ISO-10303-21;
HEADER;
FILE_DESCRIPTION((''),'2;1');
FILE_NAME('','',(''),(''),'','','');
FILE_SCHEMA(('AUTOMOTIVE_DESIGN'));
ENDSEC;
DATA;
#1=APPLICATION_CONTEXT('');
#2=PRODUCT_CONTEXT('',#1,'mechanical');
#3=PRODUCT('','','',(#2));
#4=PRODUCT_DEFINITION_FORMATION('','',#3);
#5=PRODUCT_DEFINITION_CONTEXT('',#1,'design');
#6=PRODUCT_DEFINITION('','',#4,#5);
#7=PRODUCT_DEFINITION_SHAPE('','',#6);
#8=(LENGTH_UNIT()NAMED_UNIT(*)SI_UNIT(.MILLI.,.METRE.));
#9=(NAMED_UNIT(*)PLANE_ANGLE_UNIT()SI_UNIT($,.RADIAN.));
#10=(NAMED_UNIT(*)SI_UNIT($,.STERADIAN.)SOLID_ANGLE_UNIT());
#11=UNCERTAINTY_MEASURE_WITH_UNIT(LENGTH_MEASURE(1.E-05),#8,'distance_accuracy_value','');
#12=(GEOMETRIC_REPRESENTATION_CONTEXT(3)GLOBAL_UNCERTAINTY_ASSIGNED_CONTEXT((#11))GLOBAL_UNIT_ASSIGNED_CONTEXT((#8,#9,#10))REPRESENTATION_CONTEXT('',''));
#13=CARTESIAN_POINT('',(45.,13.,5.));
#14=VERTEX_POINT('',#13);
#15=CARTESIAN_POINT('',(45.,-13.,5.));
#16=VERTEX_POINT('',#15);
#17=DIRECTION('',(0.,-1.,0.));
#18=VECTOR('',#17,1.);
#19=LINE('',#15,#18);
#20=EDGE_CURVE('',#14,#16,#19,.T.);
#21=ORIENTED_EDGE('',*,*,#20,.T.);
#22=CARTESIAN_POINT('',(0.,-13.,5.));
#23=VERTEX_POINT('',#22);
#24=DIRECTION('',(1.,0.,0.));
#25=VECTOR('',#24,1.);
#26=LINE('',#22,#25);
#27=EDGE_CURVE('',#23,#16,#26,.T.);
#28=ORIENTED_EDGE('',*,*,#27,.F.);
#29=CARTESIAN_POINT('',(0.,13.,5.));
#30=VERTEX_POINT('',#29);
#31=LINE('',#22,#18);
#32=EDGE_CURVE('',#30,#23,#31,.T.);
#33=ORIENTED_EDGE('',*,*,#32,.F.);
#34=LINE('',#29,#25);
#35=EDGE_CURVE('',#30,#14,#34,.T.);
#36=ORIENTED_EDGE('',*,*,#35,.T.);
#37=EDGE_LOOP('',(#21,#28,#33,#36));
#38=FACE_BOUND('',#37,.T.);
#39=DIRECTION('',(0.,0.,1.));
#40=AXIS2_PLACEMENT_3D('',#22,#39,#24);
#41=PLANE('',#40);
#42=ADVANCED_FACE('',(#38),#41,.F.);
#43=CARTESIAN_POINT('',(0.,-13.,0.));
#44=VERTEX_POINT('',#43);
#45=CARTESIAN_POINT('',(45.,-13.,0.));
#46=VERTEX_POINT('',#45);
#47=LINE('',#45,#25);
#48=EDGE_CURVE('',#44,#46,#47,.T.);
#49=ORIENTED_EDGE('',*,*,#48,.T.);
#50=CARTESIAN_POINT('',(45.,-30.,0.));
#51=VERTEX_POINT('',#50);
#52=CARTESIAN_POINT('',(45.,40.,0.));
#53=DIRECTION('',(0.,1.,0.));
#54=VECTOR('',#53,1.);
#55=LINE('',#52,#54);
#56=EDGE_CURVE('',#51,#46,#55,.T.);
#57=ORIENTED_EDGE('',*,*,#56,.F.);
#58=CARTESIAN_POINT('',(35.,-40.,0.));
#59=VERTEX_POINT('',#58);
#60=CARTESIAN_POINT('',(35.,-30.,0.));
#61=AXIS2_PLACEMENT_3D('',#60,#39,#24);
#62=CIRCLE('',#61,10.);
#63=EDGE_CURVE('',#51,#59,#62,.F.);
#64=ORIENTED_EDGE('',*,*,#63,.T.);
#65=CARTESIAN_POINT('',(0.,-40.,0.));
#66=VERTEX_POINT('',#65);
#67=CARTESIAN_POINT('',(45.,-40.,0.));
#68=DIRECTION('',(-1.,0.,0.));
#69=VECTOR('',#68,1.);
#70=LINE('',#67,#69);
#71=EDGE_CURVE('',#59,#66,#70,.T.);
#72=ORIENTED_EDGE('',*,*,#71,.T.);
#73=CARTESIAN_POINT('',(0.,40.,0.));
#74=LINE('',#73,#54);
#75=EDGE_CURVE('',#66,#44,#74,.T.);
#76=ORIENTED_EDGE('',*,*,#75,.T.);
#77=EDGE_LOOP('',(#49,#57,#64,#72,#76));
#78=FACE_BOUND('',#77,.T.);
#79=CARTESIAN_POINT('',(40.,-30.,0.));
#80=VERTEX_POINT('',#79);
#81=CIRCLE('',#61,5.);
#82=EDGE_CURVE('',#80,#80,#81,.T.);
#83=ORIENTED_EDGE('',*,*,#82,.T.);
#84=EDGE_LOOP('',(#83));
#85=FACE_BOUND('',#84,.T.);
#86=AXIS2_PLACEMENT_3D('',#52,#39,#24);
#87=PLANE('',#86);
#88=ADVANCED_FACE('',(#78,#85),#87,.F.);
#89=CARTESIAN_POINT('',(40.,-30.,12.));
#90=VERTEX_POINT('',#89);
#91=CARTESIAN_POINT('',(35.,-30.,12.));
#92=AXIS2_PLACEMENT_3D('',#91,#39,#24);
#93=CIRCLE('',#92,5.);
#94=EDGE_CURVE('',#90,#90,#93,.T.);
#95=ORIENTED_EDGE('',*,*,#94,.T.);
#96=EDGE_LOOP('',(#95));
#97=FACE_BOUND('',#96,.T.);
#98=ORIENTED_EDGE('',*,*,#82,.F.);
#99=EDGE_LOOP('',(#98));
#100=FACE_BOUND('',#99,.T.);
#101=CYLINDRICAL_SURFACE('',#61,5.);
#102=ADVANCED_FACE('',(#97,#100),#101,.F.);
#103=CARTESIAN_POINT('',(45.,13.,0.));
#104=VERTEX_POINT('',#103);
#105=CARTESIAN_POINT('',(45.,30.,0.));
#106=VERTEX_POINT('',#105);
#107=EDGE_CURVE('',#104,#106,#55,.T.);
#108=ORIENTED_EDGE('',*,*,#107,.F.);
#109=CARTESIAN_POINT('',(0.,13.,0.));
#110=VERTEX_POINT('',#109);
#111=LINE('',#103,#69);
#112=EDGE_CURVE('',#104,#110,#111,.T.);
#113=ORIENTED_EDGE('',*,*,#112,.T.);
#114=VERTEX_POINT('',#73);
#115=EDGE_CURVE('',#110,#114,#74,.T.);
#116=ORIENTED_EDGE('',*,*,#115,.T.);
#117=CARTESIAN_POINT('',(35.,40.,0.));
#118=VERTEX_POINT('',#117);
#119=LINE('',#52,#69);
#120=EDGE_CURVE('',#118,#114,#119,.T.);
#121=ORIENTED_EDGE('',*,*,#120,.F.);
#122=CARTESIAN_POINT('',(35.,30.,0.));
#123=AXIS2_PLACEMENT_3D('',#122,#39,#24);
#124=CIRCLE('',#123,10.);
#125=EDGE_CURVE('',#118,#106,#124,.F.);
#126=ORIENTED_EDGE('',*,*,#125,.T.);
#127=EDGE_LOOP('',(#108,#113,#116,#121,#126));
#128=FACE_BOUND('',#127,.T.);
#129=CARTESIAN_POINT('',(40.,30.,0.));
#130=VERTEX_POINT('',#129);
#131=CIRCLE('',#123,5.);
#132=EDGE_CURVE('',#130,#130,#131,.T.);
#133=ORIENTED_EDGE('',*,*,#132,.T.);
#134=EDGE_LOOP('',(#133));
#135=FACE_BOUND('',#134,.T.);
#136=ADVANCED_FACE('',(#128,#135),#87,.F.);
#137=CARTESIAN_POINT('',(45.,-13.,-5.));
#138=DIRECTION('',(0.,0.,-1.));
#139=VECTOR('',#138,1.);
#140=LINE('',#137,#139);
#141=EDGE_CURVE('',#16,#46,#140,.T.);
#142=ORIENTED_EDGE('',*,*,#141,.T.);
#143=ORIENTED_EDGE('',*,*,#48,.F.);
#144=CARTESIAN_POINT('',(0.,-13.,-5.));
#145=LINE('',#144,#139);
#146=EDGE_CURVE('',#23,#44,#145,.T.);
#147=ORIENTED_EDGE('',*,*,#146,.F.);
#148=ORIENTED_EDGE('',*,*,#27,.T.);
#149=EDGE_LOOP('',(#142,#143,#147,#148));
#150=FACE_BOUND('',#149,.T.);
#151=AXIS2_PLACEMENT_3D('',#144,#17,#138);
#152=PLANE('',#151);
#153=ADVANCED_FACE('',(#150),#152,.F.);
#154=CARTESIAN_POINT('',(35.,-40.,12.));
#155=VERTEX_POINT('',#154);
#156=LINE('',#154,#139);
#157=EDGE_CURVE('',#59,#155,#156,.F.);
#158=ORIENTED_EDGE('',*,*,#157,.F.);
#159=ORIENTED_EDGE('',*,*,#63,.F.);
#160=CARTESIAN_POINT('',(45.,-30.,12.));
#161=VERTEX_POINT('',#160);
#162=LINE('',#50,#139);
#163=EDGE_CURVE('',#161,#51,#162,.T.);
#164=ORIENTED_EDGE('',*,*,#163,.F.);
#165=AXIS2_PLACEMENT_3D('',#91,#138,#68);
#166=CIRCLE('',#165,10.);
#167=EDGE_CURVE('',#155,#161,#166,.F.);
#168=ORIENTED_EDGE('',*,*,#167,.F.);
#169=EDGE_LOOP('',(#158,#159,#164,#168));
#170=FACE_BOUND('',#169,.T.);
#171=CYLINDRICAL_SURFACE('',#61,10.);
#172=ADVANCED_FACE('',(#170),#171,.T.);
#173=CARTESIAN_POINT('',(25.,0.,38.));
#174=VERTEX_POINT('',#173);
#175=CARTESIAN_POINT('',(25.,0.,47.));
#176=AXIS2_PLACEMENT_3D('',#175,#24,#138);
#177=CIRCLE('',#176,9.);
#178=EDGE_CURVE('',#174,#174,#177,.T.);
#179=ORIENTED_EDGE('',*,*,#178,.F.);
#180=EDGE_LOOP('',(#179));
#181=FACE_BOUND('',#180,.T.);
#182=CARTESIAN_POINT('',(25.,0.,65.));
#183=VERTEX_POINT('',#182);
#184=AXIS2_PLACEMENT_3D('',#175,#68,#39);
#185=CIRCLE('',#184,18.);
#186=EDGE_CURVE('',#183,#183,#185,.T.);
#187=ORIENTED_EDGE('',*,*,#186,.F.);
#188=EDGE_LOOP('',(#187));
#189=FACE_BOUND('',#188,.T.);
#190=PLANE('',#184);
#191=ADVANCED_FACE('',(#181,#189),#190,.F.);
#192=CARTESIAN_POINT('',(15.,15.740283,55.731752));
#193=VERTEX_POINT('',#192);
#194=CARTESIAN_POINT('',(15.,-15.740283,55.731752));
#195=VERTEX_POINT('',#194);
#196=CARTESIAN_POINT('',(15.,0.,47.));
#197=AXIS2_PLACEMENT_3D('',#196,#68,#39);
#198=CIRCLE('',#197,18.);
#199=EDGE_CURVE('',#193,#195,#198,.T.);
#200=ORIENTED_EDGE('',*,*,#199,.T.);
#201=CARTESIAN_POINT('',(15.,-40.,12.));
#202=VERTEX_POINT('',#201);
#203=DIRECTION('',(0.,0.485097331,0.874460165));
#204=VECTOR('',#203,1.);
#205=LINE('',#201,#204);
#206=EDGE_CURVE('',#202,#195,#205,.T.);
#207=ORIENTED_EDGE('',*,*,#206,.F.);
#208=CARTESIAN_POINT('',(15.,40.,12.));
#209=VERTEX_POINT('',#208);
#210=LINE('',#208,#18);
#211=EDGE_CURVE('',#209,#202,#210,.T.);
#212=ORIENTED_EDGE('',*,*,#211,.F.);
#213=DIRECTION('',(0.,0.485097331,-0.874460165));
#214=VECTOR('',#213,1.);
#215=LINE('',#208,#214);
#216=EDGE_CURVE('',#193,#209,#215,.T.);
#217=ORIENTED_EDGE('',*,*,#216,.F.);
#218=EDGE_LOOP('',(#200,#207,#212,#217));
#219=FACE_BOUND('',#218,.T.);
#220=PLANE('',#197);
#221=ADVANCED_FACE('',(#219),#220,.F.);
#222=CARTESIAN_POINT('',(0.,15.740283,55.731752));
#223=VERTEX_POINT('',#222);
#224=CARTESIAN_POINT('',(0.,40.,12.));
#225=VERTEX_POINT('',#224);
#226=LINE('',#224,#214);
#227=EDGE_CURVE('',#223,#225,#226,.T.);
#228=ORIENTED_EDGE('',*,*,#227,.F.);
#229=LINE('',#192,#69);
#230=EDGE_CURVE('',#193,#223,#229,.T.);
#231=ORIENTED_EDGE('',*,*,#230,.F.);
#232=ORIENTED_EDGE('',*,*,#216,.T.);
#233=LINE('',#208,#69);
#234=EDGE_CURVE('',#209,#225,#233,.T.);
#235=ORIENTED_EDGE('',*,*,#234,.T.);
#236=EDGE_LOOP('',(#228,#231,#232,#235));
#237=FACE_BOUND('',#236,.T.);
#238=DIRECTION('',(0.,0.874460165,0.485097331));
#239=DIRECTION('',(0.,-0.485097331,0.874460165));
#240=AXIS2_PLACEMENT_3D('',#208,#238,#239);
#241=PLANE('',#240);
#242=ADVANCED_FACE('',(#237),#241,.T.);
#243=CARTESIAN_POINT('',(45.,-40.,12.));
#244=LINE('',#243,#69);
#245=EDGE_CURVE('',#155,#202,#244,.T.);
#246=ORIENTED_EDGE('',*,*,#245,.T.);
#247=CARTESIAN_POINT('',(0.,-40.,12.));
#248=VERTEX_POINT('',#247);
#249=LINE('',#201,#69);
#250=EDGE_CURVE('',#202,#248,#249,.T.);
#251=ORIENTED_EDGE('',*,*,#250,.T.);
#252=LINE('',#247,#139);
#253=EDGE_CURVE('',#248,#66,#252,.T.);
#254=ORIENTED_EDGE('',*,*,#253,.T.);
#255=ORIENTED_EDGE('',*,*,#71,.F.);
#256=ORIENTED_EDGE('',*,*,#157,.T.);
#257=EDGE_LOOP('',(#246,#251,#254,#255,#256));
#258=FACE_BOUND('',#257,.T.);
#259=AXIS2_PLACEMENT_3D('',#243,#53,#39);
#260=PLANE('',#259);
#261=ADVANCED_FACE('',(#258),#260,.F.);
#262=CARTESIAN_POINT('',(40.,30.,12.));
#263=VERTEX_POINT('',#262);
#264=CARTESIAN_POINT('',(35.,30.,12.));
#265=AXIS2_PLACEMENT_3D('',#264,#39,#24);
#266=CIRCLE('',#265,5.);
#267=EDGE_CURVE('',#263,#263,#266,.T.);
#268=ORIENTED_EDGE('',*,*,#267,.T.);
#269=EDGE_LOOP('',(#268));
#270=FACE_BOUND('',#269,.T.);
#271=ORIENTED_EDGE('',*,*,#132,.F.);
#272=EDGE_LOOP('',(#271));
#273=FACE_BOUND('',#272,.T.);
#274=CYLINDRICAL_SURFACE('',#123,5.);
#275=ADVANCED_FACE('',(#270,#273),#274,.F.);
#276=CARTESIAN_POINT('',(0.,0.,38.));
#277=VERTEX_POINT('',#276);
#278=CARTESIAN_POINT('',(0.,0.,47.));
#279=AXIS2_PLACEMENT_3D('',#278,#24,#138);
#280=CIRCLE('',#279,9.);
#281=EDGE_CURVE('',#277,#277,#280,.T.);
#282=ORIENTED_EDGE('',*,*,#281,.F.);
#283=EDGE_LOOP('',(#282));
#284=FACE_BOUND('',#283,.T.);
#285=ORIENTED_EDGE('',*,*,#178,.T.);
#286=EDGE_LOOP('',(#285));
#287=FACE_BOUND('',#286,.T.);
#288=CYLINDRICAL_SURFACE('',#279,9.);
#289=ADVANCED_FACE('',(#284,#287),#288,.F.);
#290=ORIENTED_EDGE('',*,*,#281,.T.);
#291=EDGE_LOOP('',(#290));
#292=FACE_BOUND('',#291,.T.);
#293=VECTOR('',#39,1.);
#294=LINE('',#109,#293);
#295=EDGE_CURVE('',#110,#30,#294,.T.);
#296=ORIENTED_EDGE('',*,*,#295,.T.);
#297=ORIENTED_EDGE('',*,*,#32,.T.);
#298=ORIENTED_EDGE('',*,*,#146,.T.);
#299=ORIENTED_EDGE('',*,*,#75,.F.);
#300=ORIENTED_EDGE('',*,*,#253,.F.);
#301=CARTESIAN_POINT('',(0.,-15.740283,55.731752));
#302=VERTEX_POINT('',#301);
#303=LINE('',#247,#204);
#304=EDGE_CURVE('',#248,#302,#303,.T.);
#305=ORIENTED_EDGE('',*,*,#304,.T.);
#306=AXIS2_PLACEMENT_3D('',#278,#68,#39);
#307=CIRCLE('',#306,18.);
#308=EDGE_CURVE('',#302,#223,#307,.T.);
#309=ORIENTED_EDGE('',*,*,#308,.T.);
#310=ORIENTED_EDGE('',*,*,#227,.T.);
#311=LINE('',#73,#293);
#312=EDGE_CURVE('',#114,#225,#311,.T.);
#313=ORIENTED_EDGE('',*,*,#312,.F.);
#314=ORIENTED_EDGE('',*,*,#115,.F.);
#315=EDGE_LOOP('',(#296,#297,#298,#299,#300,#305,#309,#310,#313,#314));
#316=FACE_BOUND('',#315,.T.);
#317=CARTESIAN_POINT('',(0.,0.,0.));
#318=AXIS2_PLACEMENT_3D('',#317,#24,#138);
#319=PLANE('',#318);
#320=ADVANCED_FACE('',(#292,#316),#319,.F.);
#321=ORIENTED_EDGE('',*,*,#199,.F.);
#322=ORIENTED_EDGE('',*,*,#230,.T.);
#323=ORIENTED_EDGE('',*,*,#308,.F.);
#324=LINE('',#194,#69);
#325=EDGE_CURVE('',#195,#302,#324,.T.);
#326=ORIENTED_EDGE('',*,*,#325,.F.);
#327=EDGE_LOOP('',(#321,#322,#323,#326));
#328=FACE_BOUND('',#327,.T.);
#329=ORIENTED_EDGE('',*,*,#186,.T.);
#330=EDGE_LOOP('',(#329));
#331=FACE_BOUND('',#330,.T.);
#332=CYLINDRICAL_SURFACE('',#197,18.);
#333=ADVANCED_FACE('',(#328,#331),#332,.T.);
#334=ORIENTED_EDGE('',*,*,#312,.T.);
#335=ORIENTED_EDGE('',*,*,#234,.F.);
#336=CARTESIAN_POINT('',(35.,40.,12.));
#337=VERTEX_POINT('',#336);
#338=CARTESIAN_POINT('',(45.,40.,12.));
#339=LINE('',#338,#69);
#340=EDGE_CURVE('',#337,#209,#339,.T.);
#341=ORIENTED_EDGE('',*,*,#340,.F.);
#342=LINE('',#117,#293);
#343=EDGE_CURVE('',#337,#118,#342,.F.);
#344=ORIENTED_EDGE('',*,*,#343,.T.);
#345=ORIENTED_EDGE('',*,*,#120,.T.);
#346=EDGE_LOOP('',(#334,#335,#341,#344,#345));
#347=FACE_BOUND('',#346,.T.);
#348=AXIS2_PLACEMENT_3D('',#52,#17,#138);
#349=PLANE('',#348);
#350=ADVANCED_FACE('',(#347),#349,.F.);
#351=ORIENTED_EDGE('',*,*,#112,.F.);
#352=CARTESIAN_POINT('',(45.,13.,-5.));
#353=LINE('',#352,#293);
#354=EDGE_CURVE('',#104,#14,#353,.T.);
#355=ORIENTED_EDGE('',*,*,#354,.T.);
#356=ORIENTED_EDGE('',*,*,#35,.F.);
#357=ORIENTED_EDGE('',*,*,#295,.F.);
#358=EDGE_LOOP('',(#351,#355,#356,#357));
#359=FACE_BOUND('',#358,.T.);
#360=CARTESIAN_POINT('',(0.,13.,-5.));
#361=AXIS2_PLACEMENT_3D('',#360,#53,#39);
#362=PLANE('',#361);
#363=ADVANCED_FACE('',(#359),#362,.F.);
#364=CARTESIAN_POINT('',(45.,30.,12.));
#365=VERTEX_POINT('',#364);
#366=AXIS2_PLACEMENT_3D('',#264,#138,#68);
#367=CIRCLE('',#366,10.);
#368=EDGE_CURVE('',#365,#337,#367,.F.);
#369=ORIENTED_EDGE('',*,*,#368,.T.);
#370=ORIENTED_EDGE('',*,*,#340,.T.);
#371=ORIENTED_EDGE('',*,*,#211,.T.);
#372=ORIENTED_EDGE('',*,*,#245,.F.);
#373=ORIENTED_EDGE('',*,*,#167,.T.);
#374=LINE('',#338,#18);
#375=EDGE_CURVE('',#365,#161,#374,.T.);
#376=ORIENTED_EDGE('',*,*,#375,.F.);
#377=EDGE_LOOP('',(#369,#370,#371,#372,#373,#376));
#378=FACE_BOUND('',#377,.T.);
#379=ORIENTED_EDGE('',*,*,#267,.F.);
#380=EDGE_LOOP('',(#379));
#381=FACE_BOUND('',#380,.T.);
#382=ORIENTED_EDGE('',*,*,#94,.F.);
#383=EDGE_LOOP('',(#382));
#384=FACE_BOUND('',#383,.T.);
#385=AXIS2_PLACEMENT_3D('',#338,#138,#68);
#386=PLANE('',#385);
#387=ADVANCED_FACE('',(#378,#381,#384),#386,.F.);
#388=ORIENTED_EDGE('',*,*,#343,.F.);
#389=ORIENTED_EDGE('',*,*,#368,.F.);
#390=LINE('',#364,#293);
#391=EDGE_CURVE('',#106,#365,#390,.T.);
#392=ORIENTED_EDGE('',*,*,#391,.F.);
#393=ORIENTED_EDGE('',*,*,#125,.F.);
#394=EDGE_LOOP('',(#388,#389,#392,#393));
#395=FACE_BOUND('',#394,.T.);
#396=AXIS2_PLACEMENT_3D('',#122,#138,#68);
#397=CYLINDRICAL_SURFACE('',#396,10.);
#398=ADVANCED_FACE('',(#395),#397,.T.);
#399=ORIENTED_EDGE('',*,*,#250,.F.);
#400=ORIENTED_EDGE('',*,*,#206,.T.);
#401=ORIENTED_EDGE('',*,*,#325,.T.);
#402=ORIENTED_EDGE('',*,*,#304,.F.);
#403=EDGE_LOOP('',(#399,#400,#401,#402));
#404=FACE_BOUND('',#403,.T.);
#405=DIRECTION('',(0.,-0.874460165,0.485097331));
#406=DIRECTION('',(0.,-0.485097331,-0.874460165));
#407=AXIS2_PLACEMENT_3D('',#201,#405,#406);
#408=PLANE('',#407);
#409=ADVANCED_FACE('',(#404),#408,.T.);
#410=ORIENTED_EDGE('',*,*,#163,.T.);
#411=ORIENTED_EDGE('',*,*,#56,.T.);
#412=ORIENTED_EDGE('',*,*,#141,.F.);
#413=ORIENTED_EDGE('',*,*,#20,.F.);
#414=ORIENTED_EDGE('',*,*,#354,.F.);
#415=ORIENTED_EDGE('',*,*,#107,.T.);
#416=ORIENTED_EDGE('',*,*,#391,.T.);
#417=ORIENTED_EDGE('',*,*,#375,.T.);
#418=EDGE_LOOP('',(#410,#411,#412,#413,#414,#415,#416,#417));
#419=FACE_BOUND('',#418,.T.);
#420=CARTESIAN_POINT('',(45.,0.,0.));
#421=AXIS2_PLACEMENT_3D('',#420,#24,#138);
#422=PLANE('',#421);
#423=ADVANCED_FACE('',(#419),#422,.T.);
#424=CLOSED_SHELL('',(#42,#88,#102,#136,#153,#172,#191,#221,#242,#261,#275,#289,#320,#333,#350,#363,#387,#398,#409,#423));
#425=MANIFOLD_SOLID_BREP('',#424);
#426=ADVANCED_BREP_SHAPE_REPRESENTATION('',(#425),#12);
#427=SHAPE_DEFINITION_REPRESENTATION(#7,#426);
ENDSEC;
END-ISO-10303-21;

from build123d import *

# Parameters (mm, degrees)
SKETCH_2_W          = 12
SKETCH_2_H          = 80
EXTRUDE_1_DEPTH     = 45
FILLET_1_R          = 10
SKETCH_3_R          = 5
CUT_EXTRUDE_1_DEPTH = 62.392181913
SKETCH_5_W          = 10
SKETCH_5_H          = 26
CUT_EXTRUDE_2_DEPTH = 62.392181913
SKETCH_6_R          = 18
EXTRUDE_2_DEPTH     = 25
EXTRUDE_3_DEPTH     = 15
SKETCH_8_R          = 9
CUT_EXTRUDE_3_DEPTH = 81.311892021


with BuildPart() as part:
    # 草图2 → 凸台-拉伸1 (new body)
    with BuildSketch(Plane(origin=(0, 0, 0), x_dir=(0, 0, -1), z_dir=(1, 0, 0))):
        with Locations((-6, 0)):
            Rectangle(SKETCH_2_W, SKETCH_2_H)
    extrude(amount=EXTRUDE_1_DEPTH)

    # 圆角1
    fillet_1_edges = [part.edges().sort_by_distance(p)[0] for p in [
        (45, -40, 6),
        (45, 40, 6),
    ]]
    fillet(fillet_1_edges, radius=FILLET_1_R)

    # 草图3 → 切除-拉伸1 (cut, through all)
    with BuildSketch(Plane.XY.offset(12)):
        with Locations((35, 30)):
            Circle(SKETCH_3_R)
        with Locations((35, -30)):
            Circle(SKETCH_3_R)
    extrude(amount=-CUT_EXTRUDE_1_DEPTH, mode=Mode.SUBTRACT)

    # 草图5 → 切除-拉伸2 (cut, through all)
    with BuildSketch(Plane(origin=(45, 0, 0), x_dir=(0, 0, -1), z_dir=(1, 0, 0))):
        Rectangle(SKETCH_5_W, SKETCH_5_H)
    extrude(amount=-CUT_EXTRUDE_2_DEPTH, mode=Mode.SUBTRACT)



with BuildPart() as body_2:
    # 草图6 → 凸台-拉伸2 (new body)
    with BuildSketch(Plane.ZY):
        with Locations((47, 0)):
            Circle(SKETCH_6_R)
    extrude(amount=-EXTRUDE_2_DEPTH)


with BuildPart() as part_1:
    add(part.part)

    add(body_2.part)  # 凸台-拉伸3 merges body 2
    # 草图7 → 凸台-拉伸3 (add)
    with BuildSketch(Plane.ZY):
        with BuildLine():
            Line((12, 40), (55.731751958, 15.740282963))
            ThreePointArc((55.731751958, 15.740282963), (65, 0), (55.731751958, -15.740282963))
            Line((55.731751958, -15.740282963), (12, -40))
            Line((12, -40), (12, 40))
        make_face()
    extrude(amount=-EXTRUDE_3_DEPTH)

    # 草图8 → 切除-拉伸3 (cut, through all)
    with BuildSketch(Plane(origin=(25, 0, 0), x_dir=(0, 0, -1), z_dir=(1, 0, 0))):
        with Locations((-47, 0)):
            Circle(SKETCH_8_R)
    extrude(amount=-CUT_EXTRUDE_3_DEPTH, mode=Mode.SUBTRACT)


solid = part_1.part
